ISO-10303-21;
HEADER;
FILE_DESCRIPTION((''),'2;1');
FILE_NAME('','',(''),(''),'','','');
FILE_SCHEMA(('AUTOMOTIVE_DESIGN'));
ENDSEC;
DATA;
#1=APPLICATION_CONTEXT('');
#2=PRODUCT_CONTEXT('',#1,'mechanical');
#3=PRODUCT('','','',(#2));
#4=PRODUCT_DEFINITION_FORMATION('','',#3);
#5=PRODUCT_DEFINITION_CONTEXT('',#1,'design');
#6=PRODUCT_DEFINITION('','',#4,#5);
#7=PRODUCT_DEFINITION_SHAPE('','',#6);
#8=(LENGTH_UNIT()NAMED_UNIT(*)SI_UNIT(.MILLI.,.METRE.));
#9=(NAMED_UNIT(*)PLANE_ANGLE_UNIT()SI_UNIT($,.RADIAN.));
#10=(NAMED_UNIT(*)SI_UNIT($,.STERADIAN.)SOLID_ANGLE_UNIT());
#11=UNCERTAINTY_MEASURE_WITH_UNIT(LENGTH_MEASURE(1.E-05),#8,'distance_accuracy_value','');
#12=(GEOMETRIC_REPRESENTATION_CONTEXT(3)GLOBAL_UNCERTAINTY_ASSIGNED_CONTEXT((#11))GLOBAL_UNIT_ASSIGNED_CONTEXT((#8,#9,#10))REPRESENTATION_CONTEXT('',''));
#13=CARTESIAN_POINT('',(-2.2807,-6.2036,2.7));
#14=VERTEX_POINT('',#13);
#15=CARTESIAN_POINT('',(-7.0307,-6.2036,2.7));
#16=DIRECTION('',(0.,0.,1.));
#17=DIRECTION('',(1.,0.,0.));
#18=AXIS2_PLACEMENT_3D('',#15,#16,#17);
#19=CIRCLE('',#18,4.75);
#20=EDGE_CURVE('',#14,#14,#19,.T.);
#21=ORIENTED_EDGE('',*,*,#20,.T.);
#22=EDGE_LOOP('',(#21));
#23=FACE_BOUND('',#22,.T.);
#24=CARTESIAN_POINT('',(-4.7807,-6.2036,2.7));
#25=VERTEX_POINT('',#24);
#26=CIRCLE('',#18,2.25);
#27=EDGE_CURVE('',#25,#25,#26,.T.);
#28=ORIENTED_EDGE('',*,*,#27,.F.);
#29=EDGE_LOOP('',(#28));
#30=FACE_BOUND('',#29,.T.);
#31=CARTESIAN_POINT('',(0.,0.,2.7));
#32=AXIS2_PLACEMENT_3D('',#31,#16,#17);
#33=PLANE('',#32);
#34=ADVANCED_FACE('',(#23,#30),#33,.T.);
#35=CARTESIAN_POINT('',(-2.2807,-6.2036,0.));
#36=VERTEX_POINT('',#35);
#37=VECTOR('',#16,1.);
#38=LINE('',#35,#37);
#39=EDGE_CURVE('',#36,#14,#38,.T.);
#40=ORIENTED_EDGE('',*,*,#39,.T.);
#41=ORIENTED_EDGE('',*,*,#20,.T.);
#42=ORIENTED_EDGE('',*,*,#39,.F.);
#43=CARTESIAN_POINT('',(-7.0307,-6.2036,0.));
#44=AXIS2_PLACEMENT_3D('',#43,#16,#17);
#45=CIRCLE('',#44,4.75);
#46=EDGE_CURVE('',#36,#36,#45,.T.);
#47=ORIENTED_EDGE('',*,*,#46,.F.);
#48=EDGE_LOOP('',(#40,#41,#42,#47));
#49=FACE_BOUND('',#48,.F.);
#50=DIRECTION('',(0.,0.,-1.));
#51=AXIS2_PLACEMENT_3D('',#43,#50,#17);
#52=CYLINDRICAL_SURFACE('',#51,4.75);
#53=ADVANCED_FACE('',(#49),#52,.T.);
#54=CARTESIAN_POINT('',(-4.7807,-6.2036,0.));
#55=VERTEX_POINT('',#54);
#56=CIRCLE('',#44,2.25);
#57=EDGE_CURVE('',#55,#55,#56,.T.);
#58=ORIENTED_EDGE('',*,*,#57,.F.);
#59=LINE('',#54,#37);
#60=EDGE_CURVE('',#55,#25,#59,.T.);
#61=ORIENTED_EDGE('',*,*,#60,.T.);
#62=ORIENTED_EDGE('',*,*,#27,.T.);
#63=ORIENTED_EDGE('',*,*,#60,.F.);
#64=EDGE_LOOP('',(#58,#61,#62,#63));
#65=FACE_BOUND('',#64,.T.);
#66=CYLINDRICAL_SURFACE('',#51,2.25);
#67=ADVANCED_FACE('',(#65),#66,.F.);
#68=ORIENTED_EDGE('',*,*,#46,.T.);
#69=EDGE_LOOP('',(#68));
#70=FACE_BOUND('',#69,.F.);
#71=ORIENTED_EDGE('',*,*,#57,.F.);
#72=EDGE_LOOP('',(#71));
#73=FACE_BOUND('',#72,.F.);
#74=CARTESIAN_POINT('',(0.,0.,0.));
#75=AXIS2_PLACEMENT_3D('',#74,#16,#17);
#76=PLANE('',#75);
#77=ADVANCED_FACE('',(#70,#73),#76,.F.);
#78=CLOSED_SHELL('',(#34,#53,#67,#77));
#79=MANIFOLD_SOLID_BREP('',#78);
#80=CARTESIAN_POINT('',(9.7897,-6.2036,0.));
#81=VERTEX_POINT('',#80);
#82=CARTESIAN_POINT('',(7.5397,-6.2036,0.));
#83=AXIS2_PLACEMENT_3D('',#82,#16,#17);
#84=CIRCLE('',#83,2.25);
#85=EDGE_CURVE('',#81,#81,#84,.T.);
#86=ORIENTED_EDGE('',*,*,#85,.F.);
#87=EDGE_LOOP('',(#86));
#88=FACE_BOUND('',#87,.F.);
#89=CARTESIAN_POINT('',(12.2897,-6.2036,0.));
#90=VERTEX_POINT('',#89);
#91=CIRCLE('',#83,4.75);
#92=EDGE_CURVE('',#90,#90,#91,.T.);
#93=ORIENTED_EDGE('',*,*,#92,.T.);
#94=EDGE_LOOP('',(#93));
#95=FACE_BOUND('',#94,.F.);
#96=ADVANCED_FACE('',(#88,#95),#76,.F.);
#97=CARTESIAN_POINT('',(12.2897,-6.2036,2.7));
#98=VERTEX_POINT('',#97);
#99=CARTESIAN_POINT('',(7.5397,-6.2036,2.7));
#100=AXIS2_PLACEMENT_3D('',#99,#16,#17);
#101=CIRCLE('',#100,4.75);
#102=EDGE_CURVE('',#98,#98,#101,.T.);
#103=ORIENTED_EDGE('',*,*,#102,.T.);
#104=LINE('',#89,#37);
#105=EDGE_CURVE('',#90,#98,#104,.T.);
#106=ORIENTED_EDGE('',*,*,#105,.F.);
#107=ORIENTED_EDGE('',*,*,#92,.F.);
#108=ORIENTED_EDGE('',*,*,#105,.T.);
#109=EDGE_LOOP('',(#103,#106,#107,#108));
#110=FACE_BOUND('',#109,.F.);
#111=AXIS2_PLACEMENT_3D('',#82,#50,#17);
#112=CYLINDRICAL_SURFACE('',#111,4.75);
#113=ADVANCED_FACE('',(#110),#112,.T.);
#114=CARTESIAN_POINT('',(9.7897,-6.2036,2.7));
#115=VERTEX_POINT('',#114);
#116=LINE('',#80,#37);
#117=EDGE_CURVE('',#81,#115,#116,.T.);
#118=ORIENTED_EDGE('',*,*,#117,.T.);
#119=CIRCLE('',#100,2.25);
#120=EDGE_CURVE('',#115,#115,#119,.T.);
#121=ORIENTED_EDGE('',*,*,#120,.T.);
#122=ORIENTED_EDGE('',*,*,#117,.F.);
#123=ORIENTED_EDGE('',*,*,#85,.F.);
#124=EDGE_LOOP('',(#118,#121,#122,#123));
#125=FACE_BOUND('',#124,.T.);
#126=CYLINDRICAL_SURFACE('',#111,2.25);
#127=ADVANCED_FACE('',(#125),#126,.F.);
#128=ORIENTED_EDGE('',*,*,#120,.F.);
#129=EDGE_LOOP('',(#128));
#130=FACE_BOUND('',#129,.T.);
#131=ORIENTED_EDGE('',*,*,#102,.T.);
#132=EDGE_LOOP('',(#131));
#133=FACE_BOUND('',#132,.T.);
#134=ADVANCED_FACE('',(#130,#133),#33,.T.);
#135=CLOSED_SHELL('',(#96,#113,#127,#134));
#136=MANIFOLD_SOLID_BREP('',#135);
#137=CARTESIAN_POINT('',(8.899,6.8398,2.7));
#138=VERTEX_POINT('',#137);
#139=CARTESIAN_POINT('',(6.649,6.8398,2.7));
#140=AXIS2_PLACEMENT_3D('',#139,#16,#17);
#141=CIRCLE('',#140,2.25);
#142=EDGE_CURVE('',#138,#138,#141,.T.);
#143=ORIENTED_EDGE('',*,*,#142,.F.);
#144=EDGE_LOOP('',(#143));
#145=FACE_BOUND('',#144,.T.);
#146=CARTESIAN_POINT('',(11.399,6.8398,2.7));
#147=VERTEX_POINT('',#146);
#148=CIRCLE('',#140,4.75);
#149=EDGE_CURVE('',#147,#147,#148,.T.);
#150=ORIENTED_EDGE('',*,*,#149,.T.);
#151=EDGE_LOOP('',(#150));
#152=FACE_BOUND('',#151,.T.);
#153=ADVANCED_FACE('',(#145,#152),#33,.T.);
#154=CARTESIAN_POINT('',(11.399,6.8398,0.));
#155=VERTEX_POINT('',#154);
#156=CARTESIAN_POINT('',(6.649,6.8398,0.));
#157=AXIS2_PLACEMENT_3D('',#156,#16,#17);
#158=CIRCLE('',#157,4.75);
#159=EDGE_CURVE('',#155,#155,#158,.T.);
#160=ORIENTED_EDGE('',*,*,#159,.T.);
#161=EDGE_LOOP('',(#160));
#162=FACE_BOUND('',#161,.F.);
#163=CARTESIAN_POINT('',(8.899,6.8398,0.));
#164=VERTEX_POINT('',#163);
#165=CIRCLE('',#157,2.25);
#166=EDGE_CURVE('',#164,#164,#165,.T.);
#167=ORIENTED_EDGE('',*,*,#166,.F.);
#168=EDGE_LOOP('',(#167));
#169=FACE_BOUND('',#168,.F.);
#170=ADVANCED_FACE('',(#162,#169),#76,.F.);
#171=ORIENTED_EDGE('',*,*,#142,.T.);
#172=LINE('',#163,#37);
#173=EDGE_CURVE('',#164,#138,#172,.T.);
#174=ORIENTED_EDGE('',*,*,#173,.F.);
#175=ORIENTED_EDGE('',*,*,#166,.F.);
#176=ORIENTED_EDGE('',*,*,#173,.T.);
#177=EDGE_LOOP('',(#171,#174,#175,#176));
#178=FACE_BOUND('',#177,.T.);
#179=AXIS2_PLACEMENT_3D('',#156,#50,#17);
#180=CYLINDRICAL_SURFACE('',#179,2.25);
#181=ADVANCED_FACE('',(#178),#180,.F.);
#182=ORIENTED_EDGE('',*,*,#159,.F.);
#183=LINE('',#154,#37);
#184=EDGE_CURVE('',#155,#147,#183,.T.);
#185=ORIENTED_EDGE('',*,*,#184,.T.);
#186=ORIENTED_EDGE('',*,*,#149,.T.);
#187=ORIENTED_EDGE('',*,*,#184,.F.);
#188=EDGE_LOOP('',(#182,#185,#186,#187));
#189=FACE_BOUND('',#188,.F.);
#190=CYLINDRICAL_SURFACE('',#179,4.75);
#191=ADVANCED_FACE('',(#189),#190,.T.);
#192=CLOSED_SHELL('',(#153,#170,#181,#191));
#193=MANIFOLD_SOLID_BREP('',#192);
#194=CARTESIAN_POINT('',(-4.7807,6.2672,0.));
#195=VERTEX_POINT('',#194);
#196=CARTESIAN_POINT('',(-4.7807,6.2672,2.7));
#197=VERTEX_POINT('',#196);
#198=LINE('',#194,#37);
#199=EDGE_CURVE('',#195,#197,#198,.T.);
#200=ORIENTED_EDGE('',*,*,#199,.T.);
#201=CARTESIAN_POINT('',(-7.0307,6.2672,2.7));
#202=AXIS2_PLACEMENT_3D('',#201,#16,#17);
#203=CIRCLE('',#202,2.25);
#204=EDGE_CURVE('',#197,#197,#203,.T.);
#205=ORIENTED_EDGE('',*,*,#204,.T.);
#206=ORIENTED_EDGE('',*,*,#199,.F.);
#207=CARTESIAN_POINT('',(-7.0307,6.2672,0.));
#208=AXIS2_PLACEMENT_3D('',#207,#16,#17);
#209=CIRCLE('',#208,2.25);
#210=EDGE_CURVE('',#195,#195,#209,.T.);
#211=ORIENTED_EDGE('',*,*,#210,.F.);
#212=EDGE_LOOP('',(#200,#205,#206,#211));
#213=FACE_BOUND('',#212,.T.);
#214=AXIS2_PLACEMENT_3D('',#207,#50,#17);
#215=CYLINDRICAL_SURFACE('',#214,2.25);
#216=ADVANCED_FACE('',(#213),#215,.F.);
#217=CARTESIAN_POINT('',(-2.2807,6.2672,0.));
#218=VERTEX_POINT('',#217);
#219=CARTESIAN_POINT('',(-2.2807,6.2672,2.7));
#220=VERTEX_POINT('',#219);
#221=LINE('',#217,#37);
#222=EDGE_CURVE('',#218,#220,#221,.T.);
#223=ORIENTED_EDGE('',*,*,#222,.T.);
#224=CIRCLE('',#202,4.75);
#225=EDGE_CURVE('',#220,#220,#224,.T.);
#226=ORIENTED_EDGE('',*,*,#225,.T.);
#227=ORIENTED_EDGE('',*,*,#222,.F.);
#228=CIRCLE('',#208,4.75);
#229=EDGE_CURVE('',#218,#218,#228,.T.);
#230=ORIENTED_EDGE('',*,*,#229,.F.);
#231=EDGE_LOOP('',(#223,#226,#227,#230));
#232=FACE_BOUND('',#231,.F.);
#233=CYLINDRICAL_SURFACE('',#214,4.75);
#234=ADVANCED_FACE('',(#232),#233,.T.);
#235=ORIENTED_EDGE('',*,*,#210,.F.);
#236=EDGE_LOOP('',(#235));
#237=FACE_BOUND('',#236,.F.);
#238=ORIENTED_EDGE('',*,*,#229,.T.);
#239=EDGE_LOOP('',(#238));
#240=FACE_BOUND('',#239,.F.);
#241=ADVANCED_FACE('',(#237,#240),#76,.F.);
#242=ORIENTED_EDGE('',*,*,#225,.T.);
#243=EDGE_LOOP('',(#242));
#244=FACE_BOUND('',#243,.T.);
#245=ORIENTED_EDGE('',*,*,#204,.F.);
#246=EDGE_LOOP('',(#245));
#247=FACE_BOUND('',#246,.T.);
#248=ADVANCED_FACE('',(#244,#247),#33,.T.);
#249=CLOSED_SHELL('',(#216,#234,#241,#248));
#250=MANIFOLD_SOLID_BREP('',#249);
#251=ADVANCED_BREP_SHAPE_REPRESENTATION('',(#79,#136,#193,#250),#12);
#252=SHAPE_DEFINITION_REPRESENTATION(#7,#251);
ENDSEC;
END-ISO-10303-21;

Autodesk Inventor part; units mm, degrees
ref_plane "YZ Plane" through (0, 0, 0) normal (1, 0, 0) x (0, 1, 0)
ref_plane "XZ Plane" through (0, 0, 0) normal (0, 1, 0) x (-1, 0, 0)
ref_plane "XY Plane" through (0, 0, 0) normal (0, 0, 1) x (1, 0, 0)
sketch "Sketch1" plane through (0, 0, 0) normal (0, 0, 1) x (1, 0, 0)
  circle A0 centre (-7.0307, 6.2672) radius 2.25
  circle A1 centre (-7.0307, 6.2672) radius 4.75
  circle A2 centre (6.649, 6.8398) radius 2.25
  circle A3 centre (6.649, 6.8398) radius 4.75
  circle A4 centre (-7.0307, -6.2036) radius 2.25
  circle A5 centre (-7.0307, -6.2036) radius 4.75
  circle A6 centre (7.5397, -6.2036) radius 2.25
  circle A7 centre (7.5397, -6.2036) radius 4.75
  point P0 (0, 0)
  dimension "d0" = 4.5
  dimension "d1" = 2.5
  dimension "d2" = 4.5
  dimension "d3" = 2.5
  dimension "d4" = 4.5
  dimension "d5" = 2.5
  dimension "d6" = 4.5
  dimension "d7" = 2.5
extrude "Extrusion1" add sketch "Sketch1" along normal blind 2.7
properties part number "Washers"
